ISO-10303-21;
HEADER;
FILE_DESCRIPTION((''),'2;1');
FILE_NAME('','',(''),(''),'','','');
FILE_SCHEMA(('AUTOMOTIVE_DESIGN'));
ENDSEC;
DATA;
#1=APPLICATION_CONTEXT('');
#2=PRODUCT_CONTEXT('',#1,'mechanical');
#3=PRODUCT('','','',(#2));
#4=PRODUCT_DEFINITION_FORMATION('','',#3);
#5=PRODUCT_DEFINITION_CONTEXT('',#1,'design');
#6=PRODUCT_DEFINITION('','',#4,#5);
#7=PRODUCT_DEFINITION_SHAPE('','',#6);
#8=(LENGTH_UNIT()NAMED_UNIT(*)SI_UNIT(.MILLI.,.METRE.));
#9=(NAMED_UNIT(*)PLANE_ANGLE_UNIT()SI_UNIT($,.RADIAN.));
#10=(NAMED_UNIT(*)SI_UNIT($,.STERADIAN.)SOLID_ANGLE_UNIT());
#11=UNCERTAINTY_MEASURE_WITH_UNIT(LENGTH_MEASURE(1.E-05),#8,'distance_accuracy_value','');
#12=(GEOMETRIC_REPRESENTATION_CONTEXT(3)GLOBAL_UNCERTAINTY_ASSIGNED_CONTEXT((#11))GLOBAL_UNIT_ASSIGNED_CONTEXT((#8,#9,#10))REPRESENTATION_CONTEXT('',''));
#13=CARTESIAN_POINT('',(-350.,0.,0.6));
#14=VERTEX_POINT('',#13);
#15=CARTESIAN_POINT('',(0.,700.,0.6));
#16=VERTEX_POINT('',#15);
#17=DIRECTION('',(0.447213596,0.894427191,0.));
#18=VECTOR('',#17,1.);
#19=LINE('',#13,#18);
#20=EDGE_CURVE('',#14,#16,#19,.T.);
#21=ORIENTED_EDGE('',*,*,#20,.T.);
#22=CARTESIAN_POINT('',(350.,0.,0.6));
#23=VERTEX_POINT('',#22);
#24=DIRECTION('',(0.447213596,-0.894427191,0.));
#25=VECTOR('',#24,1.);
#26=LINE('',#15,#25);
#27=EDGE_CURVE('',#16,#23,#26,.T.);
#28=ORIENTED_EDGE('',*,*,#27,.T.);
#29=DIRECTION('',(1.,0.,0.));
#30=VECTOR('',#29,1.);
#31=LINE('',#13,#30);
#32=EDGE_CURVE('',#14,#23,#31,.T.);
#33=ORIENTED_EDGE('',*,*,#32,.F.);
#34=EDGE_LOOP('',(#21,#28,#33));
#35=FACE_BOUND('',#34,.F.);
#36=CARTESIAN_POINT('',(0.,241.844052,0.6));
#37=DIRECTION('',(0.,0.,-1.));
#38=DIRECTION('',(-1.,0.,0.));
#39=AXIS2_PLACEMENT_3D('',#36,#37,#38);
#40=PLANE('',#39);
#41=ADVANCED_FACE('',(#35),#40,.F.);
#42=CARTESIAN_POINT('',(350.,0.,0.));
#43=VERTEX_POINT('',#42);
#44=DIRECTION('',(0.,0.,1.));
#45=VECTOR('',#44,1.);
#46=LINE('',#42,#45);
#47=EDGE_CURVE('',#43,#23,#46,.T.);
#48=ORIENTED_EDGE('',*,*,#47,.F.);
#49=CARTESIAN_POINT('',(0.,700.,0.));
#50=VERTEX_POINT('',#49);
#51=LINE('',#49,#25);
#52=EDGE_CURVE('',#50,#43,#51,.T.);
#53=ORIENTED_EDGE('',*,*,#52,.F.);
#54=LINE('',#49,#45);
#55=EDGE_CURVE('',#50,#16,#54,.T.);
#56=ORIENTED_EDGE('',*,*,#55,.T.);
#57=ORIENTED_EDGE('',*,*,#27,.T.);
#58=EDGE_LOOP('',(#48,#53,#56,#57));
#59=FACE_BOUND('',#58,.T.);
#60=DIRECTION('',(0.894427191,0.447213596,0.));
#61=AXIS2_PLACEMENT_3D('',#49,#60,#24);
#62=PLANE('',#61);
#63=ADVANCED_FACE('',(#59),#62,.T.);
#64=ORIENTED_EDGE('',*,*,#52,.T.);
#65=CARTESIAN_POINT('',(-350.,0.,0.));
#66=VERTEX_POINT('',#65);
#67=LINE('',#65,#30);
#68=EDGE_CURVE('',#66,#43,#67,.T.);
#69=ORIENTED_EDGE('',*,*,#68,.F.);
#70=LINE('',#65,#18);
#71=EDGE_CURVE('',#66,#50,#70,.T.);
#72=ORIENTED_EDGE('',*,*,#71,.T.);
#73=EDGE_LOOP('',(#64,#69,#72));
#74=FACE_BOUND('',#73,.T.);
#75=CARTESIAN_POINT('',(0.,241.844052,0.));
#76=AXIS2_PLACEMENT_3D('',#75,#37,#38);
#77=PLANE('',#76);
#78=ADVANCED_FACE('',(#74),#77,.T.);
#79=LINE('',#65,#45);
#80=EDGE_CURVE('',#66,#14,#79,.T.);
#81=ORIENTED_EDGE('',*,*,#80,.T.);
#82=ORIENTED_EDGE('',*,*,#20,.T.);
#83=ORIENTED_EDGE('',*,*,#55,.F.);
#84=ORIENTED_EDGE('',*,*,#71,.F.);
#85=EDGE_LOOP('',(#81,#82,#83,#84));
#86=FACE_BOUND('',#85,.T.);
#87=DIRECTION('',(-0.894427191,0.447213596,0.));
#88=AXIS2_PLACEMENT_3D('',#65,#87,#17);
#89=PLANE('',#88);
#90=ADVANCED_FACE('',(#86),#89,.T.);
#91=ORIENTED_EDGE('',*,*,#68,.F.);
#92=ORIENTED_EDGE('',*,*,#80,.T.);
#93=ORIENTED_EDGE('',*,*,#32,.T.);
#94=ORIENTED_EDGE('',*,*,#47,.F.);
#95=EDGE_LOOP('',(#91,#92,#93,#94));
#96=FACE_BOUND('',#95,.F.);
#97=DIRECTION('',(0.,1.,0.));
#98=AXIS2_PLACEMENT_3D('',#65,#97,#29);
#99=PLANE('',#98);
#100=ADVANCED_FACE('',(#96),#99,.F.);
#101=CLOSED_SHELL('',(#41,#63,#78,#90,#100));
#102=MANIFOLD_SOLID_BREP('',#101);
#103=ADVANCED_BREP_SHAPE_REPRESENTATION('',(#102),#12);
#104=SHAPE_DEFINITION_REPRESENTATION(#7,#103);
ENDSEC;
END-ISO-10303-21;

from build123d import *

# Parameters (mm, degrees)
PAD_DEPTH = 0.6


with BuildPart() as part:
    # Sketch → Pad (new body)
    with BuildSketch(Plane.XY):
        Polygon((-350, 0), (0, 700), (350, 0), (0, 0), align=None)
    extrude(amount=PAD_DEPTH)


solid = part.part
